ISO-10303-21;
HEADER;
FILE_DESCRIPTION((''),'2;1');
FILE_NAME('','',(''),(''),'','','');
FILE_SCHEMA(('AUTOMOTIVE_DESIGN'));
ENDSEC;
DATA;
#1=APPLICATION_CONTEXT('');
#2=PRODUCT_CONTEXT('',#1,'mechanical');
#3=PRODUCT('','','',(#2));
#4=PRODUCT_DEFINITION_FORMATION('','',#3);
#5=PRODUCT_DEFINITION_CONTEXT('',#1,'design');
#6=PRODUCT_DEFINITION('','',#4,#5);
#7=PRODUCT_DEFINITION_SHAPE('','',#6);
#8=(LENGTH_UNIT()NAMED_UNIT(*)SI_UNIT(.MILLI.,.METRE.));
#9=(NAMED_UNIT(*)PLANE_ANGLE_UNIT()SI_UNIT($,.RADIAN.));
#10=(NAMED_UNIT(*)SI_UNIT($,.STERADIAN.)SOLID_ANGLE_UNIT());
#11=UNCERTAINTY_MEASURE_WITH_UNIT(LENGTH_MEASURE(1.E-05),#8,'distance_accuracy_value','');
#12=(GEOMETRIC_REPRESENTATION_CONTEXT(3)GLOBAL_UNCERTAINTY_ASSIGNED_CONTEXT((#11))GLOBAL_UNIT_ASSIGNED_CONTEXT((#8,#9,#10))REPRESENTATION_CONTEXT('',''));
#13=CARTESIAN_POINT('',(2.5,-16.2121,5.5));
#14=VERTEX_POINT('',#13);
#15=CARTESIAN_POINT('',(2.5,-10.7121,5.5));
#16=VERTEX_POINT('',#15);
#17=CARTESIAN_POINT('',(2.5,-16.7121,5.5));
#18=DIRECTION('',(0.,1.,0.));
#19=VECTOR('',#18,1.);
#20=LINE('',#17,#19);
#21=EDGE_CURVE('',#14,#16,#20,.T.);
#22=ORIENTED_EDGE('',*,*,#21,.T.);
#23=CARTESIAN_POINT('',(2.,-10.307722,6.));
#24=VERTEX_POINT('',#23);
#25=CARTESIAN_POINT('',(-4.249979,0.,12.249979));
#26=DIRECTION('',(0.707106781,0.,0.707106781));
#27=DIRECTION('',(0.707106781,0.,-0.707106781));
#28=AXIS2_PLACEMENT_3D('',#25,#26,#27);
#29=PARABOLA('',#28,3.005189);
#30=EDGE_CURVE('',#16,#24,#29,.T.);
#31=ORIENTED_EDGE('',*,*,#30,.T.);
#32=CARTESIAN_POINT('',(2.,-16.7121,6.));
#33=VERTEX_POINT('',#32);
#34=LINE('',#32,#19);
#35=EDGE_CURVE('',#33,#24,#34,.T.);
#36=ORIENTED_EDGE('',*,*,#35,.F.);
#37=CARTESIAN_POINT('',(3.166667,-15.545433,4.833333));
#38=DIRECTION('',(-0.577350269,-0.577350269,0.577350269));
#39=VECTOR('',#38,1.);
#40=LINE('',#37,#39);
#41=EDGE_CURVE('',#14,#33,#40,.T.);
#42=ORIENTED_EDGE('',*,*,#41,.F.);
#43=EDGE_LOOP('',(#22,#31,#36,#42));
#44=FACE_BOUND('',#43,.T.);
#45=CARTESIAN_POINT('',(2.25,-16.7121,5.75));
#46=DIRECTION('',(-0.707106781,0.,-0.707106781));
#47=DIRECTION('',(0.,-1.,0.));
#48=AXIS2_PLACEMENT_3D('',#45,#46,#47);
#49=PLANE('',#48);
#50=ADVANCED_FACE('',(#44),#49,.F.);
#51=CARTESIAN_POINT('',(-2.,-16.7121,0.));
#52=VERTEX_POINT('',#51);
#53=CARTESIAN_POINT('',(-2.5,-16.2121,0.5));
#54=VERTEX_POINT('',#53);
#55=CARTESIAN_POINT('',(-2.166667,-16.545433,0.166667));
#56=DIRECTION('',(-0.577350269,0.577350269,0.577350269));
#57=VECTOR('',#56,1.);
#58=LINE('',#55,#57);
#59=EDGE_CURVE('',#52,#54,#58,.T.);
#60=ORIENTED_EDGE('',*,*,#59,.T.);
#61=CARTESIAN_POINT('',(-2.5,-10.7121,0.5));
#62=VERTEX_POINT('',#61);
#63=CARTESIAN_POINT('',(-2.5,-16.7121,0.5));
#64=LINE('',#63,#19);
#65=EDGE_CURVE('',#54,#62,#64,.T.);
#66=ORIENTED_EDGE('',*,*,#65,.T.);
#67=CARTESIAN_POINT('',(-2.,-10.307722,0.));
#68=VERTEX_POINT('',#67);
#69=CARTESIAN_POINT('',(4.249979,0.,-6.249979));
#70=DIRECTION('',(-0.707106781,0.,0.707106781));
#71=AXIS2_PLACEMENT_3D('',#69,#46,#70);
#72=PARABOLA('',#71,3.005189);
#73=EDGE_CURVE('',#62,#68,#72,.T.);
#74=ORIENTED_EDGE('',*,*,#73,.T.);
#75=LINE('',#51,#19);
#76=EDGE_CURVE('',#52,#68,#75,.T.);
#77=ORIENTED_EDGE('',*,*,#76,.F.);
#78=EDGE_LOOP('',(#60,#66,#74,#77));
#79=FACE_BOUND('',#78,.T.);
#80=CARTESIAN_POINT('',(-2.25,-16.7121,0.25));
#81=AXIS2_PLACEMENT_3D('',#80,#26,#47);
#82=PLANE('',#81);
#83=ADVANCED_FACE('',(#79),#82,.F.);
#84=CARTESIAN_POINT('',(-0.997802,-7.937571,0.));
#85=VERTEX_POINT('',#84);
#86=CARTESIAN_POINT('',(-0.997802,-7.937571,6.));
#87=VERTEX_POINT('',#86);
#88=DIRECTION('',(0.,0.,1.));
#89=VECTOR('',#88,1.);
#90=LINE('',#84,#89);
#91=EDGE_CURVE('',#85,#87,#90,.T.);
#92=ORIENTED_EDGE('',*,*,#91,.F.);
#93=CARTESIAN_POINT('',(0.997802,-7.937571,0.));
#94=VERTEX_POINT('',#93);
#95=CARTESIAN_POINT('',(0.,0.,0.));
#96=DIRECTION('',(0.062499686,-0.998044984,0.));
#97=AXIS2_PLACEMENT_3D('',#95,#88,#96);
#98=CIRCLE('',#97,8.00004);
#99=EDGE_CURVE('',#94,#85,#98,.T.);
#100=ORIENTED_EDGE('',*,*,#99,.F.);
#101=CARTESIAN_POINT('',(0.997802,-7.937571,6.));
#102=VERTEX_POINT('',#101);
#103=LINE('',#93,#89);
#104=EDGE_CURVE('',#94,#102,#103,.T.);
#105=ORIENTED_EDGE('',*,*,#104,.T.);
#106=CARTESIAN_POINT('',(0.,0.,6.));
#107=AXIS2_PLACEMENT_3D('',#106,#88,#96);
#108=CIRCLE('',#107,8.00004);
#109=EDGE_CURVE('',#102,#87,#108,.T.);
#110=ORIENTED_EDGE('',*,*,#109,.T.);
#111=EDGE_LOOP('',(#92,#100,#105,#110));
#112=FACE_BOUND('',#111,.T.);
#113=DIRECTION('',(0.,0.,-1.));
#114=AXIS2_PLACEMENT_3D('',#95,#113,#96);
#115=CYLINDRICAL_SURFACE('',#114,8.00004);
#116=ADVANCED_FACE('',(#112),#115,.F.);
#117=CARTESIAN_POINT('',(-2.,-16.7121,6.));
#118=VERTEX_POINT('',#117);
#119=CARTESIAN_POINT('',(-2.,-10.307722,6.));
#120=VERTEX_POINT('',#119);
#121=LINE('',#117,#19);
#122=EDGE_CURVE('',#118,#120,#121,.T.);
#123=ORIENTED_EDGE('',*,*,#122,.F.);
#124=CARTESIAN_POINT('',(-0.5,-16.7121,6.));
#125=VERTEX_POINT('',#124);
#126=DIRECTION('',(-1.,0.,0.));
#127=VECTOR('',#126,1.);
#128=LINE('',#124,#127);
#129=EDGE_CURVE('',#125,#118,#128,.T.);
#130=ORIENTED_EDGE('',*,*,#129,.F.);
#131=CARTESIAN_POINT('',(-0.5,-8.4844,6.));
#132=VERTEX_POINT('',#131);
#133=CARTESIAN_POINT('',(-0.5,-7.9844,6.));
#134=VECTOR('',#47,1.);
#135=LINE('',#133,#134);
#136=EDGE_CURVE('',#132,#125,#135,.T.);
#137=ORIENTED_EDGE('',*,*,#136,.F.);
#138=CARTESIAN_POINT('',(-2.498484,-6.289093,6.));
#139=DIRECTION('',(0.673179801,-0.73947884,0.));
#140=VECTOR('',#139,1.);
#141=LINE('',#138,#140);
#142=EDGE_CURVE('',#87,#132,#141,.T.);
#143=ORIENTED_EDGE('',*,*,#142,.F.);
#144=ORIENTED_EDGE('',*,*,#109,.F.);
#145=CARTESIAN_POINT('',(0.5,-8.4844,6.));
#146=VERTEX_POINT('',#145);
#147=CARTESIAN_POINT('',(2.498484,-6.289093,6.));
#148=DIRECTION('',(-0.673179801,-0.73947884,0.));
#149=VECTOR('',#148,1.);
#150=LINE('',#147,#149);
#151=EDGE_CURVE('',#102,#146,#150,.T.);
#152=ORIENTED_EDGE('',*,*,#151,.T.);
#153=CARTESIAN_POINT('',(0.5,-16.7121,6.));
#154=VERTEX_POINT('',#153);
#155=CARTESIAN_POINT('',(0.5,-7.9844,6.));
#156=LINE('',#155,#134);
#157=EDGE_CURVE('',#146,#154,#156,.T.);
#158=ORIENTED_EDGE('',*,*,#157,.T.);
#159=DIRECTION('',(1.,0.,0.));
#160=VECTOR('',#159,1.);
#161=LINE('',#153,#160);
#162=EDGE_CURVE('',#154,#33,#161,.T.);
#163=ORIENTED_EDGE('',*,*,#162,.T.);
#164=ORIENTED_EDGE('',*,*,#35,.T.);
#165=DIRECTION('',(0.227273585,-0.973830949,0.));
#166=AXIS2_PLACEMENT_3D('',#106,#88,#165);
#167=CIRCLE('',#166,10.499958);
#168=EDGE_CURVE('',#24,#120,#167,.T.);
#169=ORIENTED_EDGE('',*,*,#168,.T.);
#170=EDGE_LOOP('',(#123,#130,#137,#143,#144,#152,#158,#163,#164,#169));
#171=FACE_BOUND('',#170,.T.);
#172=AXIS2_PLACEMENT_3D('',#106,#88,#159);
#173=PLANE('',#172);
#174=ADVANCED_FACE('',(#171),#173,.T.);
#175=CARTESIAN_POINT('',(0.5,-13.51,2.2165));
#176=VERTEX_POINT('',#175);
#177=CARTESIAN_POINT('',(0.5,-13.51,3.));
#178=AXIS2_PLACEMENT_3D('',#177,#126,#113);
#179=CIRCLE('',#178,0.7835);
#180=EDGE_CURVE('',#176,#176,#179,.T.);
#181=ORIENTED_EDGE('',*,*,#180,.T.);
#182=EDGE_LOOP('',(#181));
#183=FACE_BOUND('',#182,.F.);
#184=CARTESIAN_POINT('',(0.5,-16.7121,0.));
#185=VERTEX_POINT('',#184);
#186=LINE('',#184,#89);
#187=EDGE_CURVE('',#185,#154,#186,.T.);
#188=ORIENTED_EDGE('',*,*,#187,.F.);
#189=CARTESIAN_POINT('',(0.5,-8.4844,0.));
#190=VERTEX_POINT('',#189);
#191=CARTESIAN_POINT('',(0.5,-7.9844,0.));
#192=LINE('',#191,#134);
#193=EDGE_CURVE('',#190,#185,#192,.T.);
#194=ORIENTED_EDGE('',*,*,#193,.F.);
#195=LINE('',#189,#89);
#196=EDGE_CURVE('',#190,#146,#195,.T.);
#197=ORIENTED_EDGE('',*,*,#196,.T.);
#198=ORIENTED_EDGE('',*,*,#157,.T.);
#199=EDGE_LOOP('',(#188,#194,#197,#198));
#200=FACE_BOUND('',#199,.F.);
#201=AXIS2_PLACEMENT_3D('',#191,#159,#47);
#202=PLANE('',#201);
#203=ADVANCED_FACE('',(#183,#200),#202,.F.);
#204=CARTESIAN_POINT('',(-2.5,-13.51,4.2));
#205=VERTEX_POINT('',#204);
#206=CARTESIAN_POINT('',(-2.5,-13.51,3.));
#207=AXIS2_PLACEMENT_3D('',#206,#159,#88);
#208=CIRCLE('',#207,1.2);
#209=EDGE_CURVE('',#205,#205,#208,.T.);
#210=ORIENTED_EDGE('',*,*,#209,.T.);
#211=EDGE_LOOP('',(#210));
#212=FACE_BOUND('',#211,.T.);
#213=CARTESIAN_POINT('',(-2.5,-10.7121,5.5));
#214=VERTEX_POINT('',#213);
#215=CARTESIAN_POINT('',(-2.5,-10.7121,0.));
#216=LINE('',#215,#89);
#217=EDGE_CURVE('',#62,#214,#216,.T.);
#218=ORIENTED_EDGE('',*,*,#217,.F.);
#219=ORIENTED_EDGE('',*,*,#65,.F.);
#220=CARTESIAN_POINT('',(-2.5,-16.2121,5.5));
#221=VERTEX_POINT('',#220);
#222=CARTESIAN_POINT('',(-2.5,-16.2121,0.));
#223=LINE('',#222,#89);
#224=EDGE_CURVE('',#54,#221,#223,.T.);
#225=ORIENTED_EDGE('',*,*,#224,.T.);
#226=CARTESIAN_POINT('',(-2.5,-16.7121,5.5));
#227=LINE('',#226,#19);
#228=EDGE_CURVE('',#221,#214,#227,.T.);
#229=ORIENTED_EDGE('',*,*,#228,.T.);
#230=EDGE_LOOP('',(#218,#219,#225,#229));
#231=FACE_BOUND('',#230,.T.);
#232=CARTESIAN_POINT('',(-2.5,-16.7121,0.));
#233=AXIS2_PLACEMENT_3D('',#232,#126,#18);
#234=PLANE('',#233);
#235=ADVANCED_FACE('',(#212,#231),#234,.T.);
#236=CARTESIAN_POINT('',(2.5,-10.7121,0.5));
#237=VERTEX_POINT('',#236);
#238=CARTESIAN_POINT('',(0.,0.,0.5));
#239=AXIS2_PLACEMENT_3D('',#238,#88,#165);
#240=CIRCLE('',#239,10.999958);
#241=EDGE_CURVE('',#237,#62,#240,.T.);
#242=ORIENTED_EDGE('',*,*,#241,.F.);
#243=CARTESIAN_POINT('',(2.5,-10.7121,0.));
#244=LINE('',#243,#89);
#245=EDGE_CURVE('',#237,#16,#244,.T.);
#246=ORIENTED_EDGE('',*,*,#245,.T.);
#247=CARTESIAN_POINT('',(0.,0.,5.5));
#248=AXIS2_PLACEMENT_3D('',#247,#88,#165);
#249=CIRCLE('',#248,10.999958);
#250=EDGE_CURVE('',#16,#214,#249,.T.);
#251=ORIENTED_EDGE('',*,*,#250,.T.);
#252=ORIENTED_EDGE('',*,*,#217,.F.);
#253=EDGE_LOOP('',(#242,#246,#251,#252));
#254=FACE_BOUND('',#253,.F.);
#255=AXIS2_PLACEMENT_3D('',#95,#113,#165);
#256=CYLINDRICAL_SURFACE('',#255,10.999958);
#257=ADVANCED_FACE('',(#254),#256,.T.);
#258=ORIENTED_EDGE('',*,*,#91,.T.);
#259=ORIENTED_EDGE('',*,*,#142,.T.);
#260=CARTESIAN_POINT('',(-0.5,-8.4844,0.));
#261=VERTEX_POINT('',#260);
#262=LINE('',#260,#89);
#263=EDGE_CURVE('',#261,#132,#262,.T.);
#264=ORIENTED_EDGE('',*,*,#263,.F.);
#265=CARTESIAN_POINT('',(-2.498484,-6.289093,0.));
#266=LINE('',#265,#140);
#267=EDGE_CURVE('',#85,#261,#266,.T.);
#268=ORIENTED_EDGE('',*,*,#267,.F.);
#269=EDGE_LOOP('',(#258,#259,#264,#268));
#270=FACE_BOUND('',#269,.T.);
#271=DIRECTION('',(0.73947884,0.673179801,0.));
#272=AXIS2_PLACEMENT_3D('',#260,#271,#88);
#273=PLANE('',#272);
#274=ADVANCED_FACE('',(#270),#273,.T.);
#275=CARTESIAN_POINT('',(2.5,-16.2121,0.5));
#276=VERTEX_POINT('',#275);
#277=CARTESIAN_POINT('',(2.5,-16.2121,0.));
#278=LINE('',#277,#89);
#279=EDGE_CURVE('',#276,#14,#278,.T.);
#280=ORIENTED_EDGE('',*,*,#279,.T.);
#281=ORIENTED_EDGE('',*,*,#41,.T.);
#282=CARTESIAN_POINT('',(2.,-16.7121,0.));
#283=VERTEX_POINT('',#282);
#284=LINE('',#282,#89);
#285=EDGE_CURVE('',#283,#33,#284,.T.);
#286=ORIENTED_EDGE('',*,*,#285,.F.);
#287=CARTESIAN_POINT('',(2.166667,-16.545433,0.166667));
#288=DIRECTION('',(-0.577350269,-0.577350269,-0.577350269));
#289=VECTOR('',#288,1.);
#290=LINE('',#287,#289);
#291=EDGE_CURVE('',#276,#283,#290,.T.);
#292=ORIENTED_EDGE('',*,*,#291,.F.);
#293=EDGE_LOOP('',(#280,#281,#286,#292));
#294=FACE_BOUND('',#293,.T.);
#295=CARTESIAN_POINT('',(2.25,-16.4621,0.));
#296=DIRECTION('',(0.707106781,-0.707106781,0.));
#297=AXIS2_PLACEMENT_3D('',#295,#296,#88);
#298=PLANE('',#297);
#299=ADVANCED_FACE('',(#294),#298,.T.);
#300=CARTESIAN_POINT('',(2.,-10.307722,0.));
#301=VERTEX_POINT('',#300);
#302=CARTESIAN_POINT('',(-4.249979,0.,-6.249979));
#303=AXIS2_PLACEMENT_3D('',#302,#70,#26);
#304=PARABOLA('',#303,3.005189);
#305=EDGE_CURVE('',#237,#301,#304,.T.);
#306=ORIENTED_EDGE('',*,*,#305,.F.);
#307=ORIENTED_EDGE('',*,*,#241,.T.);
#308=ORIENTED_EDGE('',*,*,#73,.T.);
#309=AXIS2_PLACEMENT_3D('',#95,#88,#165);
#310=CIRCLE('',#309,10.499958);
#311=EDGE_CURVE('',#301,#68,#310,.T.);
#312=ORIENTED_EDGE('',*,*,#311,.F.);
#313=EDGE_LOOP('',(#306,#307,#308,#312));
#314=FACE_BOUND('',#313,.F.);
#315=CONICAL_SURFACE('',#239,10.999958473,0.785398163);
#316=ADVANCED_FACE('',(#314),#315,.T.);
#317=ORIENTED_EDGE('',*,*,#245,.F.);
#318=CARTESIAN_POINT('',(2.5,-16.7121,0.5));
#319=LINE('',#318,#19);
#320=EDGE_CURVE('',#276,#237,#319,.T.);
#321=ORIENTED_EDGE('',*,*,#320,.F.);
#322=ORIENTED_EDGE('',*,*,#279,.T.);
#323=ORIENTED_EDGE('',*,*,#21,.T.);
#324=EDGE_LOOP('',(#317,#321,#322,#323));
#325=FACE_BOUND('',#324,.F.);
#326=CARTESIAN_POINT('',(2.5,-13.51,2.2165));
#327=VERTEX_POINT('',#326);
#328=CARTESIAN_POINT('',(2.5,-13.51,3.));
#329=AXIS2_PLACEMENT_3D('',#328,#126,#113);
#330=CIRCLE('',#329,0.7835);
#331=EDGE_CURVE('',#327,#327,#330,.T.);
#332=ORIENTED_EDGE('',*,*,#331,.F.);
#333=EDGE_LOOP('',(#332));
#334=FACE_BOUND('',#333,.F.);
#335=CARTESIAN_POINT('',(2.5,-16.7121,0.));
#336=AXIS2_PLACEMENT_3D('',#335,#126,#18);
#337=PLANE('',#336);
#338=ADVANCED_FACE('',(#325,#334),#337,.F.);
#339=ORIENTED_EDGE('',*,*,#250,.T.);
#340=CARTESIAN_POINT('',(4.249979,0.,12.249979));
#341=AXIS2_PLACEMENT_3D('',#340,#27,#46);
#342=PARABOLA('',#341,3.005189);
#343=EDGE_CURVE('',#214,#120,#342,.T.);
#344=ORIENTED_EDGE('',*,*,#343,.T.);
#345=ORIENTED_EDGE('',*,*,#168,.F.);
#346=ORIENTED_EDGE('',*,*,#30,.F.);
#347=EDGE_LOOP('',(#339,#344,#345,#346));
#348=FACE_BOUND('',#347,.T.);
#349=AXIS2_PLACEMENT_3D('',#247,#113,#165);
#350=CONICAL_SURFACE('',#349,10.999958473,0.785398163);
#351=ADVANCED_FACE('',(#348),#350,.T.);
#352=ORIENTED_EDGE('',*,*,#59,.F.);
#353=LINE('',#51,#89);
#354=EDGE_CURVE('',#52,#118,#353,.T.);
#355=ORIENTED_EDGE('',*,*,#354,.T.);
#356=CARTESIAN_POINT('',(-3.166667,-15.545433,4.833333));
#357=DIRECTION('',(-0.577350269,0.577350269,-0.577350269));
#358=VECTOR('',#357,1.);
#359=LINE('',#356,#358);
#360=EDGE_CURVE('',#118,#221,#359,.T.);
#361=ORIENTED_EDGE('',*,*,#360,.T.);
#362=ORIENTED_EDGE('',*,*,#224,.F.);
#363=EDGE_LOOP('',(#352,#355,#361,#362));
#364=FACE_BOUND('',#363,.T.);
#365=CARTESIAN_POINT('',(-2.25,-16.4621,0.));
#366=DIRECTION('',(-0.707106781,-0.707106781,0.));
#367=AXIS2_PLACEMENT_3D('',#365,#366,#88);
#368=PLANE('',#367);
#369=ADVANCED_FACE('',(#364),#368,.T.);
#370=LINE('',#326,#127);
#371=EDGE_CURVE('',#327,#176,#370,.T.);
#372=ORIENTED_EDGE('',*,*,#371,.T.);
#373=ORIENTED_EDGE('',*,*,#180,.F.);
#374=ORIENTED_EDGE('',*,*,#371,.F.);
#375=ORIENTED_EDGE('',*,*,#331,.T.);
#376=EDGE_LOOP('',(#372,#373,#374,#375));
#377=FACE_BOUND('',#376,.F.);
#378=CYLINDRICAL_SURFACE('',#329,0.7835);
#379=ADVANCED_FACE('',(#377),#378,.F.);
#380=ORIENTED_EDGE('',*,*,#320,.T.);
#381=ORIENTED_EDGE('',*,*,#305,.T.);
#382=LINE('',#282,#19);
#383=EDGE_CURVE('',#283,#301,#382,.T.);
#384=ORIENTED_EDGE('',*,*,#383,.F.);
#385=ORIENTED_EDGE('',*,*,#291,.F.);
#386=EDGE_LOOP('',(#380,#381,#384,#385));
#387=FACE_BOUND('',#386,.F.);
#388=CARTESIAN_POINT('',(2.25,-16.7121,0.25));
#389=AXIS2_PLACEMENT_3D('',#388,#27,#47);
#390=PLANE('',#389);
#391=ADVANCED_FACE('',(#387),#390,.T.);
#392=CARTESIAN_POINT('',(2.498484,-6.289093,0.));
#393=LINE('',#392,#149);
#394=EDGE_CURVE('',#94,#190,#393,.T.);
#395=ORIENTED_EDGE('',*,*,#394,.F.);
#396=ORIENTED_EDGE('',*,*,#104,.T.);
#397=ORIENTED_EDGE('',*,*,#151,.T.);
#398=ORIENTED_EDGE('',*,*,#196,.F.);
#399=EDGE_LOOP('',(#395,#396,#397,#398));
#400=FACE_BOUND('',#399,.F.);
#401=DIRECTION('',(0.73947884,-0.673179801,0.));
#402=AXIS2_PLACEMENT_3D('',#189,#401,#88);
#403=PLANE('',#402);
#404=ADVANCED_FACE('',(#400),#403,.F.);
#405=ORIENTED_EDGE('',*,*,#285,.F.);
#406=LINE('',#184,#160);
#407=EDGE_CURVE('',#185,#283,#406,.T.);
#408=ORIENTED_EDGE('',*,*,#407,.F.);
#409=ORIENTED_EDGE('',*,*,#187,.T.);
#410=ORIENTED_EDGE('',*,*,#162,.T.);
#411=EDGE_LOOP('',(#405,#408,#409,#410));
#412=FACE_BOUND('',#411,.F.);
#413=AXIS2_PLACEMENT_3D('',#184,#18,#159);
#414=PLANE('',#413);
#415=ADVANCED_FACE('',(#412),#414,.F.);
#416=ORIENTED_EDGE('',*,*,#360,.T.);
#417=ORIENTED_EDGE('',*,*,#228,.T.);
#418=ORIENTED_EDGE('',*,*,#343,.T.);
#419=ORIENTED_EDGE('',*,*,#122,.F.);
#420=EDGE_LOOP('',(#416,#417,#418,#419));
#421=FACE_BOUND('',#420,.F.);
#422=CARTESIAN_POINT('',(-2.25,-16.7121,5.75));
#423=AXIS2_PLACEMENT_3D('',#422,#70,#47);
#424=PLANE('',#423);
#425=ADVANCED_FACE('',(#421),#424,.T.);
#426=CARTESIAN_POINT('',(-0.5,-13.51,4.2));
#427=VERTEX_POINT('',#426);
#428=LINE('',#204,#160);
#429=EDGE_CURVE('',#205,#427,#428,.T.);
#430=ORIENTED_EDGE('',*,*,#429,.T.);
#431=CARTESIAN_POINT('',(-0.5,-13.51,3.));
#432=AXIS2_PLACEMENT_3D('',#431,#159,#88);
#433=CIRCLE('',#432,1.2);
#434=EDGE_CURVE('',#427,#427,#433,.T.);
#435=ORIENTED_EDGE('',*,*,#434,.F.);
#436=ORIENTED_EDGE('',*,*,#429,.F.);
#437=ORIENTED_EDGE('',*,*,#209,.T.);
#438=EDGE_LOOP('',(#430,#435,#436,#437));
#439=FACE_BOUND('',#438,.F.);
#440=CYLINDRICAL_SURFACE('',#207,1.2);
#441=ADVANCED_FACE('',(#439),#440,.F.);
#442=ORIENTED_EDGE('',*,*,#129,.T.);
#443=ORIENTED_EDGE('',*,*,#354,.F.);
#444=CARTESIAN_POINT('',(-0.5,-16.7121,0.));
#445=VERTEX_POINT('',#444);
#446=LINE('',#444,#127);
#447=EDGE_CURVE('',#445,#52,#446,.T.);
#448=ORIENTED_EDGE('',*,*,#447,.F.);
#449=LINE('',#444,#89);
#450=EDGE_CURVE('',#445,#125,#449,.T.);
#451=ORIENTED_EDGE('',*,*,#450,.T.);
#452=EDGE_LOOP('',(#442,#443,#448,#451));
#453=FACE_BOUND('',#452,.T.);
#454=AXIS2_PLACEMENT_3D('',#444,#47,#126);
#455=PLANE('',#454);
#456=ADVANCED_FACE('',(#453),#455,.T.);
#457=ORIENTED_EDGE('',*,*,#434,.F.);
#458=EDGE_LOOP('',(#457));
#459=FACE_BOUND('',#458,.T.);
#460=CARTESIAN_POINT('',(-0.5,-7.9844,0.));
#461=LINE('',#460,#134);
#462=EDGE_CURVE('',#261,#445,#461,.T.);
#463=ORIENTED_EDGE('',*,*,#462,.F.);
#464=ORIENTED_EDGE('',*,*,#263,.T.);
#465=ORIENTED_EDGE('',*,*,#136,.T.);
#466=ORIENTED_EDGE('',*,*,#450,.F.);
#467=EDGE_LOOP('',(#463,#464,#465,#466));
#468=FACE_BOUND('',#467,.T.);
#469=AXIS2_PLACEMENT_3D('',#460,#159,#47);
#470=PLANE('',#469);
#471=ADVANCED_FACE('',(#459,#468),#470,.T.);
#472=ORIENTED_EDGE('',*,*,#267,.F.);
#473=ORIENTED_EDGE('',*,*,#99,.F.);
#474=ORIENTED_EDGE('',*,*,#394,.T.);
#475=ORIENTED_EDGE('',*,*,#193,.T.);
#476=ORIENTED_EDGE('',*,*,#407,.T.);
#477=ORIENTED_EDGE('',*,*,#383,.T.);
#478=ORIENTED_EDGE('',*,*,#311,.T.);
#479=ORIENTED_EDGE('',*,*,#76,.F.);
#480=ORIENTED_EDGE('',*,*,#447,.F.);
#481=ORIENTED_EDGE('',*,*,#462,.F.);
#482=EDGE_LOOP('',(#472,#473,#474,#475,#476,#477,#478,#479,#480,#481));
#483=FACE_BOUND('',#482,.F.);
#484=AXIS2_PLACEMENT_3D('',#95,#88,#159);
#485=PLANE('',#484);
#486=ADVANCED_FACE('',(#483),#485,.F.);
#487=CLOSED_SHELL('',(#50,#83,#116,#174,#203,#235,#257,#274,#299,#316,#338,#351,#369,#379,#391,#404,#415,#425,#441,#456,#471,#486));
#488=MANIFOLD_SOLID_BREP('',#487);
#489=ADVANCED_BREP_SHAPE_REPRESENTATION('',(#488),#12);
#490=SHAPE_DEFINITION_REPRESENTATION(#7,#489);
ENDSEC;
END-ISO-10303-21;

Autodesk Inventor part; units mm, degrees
ref_plane "YZ Plane" through (0, 0, 0) normal (1, 0, 0) x (0, 1, 0)
ref_plane "XZ Plane" through (0, 0, 0) normal (0, 1, 0) x (-1, 0, 0)
ref_plane "XY Plane" through (0, 0, 0) normal (0, 0, 1) x (1, 0, 0)
sketch "Esquisse1" plane through (0, 0, 0) normal (0, 0, 1) x (1, 0, 0)
  arc A0 (0.5, -7.9844) -> (-0.5, -7.9844) centre (0, 0) ccw
  arc A1 (2.5, -10.7121) -> (-2.5, -10.7121) centre (0, 0) ccw
  line L0 (-0.5, -7.9844) -> (-0.5, -16.7121)
  line L1 (0.5, -7.9844) -> (0.5, -16.7121)
  line L2 (-0.5, -7.9844) -> (0.5, -7.9844) construction
  line L3 (-0.5, -16.7121) -> (-2.5, -16.7121)
  line L4 (-2.5, -16.7121) -> (-2.5, -10.7121)
  line L5 (0.5, -16.7121) -> (2.5, -16.7121)
  line L6 (2.5, -16.7121) -> (2.5, -10.7121)
  point P0 (0, -7.9844)
  dimension "d0" = 8
  dimension "d1" = 1
  dimension "d2" = 3
  dimension "d3" = 6
  dimension "d4" = 2
extrude "Extrusion1" add sketch "Esquisse1" along normal blind 6
chamfer "Chanfrein1" distance 0.5 angle 45 10 edges at (0, 11, 6) (0, 11, 0) (-2.5, -16.7121, 3) (2.5, -16.7121, 3) (2.5, -13.7121, 6) (2.5, -13.7121, 0) (-2.5, -13.7121, 6) (-2.5, -13.7121, 0) (-0.5, -7.9844, 3) (0.5, -7.9844, 3)
sketch "Esquisse2" plane through (-2.5, -16.2121, 0.5) normal (-1, 0, 0) x (0, 0, 1)
  line L0 (-0.5, -0.5) -> (5.5, -0.5) projected
  line L1 (5.5, -0.5) -> (5.5, 5.9044) projected
  point P0 (-0.5, 16.2121)
  point P1 (2.5, 2.7022)
  point P2 (2.5, -0.5)
  point P3 (5.5, 2.7022)
hole "Perçage1" at (-2.5, -13.51, 3) direction (1, 0, 0) diameter 2.4 depth 2 clearance for "Vis d'assemblage à six pans creux ISO 4762" size "M2" standard "ISO"
sketch "Esquisse3" plane through (2.5, -16.2121, 0.5) normal (1, 0, 0) x (0, 0, -1)
  line L0 (0.5, -0.5) -> (0.5, 5.9044) projected
  line L1 (-5.5, -0.5) -> (0.5, -0.5) projected
  point P0 (0.5, 16.2121)
  point P1 (-2.5, 2.7022)
  point P2 (0.5, 2.7022)
  point P3 (-2.5, -0.5)
hole "Perçage2" at (2.5, -13.51, 3) direction (-1, 0, 0) diameter 1.567 depth 2 thread size "M2x0.4" class "6H" standard "ISO Metric profile"
properties part number "blocage_ressort_canon" material "Aluminium 6061"
